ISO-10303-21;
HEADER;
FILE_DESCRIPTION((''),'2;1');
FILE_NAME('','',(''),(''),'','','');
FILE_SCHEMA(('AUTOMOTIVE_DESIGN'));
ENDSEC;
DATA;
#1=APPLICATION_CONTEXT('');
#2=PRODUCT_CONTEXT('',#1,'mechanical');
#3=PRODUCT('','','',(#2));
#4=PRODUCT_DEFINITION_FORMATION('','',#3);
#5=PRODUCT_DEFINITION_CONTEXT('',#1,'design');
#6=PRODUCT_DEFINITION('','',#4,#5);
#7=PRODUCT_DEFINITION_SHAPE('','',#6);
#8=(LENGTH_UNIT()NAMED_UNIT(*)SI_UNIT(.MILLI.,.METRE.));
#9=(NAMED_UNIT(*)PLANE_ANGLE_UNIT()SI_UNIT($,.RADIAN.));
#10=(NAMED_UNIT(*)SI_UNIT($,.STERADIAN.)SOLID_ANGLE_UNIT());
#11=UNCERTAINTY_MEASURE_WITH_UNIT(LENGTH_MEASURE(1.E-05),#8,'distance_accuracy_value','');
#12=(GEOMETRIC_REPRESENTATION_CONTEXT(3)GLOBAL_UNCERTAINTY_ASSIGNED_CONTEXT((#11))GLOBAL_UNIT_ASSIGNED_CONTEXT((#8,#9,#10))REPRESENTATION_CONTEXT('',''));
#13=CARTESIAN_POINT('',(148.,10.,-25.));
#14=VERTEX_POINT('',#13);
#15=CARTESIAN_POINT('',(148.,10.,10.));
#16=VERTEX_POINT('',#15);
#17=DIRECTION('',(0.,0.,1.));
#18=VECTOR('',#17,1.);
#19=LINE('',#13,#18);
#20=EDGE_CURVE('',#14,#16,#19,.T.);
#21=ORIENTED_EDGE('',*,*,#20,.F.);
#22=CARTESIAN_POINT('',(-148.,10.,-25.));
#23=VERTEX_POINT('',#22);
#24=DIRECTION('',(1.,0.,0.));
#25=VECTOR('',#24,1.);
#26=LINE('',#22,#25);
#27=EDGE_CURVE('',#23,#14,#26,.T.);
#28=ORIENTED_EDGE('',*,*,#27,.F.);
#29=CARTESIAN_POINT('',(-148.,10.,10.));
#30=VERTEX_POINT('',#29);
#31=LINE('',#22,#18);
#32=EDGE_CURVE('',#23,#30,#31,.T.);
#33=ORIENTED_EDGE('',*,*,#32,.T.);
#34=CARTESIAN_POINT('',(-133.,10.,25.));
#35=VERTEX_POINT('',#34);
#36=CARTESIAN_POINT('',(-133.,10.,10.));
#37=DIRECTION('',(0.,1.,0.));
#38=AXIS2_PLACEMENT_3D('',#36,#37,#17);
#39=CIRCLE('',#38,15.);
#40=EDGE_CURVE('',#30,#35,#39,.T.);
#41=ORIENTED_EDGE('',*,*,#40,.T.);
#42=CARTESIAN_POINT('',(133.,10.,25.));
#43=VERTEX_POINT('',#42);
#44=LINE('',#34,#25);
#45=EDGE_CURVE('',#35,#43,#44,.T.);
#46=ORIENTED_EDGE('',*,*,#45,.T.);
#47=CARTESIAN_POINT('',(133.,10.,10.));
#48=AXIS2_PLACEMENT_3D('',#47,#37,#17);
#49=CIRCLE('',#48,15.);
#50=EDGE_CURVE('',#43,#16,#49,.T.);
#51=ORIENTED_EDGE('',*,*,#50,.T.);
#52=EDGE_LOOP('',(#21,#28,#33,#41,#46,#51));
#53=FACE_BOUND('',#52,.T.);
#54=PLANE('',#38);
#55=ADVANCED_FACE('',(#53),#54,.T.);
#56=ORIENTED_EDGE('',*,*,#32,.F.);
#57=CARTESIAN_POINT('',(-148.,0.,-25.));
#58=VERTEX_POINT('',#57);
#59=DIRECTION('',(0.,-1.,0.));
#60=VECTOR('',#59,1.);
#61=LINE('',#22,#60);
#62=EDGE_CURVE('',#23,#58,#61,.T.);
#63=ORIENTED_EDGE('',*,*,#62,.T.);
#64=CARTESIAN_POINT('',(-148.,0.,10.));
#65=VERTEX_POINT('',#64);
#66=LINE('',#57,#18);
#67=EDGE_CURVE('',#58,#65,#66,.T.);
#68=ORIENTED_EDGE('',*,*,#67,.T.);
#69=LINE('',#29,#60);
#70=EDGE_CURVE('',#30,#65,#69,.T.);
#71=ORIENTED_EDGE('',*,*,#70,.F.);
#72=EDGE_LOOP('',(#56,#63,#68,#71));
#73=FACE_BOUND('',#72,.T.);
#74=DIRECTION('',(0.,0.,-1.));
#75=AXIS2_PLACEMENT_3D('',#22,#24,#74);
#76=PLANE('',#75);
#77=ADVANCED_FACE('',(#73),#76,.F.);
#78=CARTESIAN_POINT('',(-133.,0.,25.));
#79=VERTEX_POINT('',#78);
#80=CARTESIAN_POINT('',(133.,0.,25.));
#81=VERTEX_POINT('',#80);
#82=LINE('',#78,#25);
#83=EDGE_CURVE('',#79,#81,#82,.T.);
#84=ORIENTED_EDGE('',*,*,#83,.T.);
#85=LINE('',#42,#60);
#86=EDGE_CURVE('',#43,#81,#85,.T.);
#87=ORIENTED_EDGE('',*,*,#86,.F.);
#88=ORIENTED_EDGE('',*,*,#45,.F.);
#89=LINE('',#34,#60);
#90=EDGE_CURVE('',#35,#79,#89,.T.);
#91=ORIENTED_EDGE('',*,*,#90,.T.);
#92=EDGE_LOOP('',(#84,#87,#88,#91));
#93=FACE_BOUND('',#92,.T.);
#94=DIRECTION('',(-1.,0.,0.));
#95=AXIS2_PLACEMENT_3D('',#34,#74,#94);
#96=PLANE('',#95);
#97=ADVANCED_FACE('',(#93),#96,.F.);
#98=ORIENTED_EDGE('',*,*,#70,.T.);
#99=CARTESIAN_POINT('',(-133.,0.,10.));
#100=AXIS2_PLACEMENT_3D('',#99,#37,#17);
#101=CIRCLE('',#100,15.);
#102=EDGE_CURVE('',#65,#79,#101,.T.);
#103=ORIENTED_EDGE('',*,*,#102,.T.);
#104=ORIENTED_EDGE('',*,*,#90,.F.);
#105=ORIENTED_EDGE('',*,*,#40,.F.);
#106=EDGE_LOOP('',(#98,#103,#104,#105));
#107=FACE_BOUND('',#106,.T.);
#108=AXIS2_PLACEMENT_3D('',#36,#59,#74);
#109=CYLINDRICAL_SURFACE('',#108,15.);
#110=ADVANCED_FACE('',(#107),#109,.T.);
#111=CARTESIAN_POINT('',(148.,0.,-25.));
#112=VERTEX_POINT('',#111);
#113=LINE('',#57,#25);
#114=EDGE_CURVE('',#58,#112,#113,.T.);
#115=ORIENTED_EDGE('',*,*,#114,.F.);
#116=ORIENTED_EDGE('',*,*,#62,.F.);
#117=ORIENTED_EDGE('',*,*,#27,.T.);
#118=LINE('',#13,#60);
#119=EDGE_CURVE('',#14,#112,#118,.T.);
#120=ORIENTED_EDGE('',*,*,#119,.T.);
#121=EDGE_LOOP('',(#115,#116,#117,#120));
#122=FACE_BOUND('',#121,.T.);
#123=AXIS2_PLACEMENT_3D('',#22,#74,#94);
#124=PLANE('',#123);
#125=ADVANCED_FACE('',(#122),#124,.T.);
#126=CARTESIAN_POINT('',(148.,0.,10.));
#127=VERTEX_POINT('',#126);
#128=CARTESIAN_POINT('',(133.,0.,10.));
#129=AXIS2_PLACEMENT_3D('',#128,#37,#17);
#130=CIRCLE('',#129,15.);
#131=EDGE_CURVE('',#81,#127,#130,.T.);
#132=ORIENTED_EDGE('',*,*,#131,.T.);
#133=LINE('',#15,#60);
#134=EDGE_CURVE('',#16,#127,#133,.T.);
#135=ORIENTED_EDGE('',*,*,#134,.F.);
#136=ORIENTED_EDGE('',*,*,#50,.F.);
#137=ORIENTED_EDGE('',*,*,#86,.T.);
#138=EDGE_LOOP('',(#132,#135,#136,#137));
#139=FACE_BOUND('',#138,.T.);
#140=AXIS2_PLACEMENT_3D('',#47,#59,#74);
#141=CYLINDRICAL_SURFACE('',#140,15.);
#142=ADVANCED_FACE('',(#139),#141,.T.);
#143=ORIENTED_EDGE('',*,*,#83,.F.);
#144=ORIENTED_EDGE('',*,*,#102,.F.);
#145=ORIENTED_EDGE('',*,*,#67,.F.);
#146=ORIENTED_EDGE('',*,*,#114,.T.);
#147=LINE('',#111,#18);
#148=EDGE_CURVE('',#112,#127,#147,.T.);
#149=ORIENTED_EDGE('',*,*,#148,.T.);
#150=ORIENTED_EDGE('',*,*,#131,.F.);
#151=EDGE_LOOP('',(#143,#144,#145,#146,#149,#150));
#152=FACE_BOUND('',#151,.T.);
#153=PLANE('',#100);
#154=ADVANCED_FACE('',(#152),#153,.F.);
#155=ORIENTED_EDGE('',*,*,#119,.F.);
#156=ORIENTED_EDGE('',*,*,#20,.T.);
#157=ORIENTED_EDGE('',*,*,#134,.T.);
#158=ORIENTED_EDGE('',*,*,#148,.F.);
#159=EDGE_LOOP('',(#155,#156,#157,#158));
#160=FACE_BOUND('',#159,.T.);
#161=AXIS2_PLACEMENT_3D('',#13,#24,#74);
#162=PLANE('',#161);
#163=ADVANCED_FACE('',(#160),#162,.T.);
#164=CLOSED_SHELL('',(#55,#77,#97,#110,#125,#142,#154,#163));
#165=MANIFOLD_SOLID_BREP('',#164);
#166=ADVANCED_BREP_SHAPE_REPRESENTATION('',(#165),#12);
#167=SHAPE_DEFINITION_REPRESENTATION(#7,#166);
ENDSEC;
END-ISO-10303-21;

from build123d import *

# Parameters (mm, degrees)
BOSS_EXTRUDE1_DEPTH = 10


with BuildPart() as part:
    # Sketch1 → Boss-Extrude1 (new body)
    with BuildSketch(Plane(origin=(0, 0, 0), x_dir=(1, 0, 0), z_dir=(0, 1, 0))):
        with BuildLine():
            Line((-148, 25), (148, 25))
            Line((148, 25), (148, -10))
            ThreePointArc((148, -10), (143.606601718, -20.606601718), (133, -25))
            Line((133, -25), (-133, -25))
            ThreePointArc((-133, -25), (-143.606601718, -20.606601718), (-148, -10))
            Line((-148, -10), (-148, 25))
        make_face()
    extrude(amount=BOSS_EXTRUDE1_DEPTH)


solid = part.part
